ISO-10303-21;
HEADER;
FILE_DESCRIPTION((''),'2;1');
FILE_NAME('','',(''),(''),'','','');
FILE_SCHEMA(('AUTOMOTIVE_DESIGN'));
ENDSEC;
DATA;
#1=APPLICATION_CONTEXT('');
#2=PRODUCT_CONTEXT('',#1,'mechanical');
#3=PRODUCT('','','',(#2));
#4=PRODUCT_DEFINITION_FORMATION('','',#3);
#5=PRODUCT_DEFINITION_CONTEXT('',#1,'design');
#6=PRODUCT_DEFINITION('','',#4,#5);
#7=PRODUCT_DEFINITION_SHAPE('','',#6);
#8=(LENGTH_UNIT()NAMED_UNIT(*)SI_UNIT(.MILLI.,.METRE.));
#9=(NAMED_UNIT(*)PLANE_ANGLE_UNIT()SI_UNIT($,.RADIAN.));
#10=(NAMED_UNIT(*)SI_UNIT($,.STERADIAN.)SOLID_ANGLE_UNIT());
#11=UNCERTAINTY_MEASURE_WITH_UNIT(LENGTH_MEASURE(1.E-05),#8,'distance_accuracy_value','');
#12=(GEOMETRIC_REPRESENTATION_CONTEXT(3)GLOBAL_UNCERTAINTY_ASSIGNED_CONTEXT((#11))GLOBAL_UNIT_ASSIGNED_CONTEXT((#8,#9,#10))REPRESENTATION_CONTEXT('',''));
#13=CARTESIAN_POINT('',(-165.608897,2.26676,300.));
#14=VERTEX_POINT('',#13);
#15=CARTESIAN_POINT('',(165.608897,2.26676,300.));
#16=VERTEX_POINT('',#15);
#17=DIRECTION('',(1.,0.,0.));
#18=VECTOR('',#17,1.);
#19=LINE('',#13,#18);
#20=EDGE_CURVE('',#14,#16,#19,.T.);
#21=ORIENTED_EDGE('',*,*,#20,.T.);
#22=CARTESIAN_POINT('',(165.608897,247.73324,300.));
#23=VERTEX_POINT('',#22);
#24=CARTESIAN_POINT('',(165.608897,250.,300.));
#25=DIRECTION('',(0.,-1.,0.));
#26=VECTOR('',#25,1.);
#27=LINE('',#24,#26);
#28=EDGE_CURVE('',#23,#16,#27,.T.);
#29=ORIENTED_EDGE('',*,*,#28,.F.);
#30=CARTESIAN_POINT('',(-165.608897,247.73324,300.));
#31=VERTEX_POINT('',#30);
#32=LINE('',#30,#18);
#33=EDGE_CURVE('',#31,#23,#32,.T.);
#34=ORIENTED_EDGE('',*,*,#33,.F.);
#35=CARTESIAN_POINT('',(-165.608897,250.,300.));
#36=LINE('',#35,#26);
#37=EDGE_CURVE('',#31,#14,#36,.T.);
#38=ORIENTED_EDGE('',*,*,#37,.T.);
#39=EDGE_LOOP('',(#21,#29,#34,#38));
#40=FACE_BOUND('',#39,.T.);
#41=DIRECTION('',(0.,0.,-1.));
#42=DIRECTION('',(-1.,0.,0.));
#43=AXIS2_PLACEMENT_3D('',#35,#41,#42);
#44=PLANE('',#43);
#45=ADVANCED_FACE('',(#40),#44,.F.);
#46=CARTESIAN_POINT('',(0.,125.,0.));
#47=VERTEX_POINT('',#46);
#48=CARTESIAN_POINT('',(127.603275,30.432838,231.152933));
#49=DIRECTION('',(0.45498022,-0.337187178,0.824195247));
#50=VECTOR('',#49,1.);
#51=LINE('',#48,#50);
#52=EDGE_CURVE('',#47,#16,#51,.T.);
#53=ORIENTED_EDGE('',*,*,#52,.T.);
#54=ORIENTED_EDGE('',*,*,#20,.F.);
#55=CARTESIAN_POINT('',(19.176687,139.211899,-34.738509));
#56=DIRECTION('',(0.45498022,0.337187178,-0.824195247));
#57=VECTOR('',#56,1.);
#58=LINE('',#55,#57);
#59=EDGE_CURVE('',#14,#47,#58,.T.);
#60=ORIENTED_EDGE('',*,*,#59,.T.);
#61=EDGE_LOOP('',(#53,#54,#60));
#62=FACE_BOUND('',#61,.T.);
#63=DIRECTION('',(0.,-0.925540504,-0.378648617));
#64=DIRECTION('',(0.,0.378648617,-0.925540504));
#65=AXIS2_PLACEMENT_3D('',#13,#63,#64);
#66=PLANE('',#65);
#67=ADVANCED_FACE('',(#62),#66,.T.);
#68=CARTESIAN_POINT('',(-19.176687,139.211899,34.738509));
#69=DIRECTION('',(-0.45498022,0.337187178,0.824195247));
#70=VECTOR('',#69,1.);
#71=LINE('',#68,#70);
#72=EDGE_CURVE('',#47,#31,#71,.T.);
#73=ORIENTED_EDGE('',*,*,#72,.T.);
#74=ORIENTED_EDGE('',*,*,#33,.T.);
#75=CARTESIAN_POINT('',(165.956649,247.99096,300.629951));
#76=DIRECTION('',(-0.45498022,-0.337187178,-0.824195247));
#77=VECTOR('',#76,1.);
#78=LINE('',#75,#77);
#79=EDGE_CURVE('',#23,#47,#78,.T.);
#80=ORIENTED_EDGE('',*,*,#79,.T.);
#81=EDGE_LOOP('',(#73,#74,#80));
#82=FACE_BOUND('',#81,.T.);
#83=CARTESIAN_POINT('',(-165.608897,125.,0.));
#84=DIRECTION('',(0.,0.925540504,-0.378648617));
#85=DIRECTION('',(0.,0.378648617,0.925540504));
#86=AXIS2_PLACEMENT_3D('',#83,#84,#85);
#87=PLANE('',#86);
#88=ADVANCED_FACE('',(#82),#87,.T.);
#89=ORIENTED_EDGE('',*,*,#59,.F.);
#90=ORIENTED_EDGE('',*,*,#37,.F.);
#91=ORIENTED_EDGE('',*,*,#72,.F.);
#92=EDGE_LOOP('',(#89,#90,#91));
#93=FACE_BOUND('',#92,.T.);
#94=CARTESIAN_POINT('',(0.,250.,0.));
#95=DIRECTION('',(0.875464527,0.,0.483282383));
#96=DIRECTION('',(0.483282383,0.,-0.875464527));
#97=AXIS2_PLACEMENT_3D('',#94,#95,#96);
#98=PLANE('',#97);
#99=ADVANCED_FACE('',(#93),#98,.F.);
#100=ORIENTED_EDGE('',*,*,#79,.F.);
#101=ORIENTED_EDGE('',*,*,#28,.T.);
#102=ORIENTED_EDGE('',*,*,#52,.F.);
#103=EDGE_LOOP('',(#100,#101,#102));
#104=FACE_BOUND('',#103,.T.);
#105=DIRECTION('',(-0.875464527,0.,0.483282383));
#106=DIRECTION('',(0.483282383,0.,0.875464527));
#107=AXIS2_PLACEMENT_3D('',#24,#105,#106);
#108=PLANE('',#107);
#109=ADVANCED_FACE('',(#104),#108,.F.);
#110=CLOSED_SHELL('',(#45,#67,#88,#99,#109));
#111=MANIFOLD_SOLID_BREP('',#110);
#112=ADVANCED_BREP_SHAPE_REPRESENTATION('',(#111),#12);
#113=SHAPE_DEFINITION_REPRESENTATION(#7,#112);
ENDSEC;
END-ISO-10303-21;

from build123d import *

# Parameters (mm, degrees)
BOSS_EXTRUDE1_DEPTH     = 250
SKETCH2_OUTSIDE_W       = 404.412
SKETCH2_OUTSIDE_H       = 354.412
CUT_EXTRUDE1_DEPTH      = 166.60889734
CUT_EXTRUDE1_DEPTH_BACK = 166.60889734


with BuildPart() as part:
    # Sketch1 → Boss-Extrude1 (new body)
    with BuildSketch(Plane(origin=(0, 0, 0), x_dir=(1, 0, 0), z_dir=(0, 1, 0))):
        Polygon((0, 0), (-165.60889734, -300), (165.60889734, -300), align=None)
    extrude(amount=BOSS_EXTRUDE1_DEPTH)

    # Sketch2 outside → Cut-Extrude1 (cut, two sides)
    with BuildSketch(Plane(origin=(0, 0, 0), x_dir=(0, 0, -1), z_dir=(1, 0, 0))) as cut_extrude1_sk:
        with Locations((-150, 125)):
            Rectangle(SKETCH2_OUTSIDE_W, SKETCH2_OUTSIDE_H)
        Polygon((0, 125), (-300, 247.733240428), (-300, 2.266759572), align=None, mode=Mode.SUBTRACT)
    extrude(amount=CUT_EXTRUDE1_DEPTH, mode=Mode.SUBTRACT)
    extrude(cut_extrude1_sk.sketch, amount=-CUT_EXTRUDE1_DEPTH_BACK, mode=Mode.SUBTRACT)


solid = part.part
